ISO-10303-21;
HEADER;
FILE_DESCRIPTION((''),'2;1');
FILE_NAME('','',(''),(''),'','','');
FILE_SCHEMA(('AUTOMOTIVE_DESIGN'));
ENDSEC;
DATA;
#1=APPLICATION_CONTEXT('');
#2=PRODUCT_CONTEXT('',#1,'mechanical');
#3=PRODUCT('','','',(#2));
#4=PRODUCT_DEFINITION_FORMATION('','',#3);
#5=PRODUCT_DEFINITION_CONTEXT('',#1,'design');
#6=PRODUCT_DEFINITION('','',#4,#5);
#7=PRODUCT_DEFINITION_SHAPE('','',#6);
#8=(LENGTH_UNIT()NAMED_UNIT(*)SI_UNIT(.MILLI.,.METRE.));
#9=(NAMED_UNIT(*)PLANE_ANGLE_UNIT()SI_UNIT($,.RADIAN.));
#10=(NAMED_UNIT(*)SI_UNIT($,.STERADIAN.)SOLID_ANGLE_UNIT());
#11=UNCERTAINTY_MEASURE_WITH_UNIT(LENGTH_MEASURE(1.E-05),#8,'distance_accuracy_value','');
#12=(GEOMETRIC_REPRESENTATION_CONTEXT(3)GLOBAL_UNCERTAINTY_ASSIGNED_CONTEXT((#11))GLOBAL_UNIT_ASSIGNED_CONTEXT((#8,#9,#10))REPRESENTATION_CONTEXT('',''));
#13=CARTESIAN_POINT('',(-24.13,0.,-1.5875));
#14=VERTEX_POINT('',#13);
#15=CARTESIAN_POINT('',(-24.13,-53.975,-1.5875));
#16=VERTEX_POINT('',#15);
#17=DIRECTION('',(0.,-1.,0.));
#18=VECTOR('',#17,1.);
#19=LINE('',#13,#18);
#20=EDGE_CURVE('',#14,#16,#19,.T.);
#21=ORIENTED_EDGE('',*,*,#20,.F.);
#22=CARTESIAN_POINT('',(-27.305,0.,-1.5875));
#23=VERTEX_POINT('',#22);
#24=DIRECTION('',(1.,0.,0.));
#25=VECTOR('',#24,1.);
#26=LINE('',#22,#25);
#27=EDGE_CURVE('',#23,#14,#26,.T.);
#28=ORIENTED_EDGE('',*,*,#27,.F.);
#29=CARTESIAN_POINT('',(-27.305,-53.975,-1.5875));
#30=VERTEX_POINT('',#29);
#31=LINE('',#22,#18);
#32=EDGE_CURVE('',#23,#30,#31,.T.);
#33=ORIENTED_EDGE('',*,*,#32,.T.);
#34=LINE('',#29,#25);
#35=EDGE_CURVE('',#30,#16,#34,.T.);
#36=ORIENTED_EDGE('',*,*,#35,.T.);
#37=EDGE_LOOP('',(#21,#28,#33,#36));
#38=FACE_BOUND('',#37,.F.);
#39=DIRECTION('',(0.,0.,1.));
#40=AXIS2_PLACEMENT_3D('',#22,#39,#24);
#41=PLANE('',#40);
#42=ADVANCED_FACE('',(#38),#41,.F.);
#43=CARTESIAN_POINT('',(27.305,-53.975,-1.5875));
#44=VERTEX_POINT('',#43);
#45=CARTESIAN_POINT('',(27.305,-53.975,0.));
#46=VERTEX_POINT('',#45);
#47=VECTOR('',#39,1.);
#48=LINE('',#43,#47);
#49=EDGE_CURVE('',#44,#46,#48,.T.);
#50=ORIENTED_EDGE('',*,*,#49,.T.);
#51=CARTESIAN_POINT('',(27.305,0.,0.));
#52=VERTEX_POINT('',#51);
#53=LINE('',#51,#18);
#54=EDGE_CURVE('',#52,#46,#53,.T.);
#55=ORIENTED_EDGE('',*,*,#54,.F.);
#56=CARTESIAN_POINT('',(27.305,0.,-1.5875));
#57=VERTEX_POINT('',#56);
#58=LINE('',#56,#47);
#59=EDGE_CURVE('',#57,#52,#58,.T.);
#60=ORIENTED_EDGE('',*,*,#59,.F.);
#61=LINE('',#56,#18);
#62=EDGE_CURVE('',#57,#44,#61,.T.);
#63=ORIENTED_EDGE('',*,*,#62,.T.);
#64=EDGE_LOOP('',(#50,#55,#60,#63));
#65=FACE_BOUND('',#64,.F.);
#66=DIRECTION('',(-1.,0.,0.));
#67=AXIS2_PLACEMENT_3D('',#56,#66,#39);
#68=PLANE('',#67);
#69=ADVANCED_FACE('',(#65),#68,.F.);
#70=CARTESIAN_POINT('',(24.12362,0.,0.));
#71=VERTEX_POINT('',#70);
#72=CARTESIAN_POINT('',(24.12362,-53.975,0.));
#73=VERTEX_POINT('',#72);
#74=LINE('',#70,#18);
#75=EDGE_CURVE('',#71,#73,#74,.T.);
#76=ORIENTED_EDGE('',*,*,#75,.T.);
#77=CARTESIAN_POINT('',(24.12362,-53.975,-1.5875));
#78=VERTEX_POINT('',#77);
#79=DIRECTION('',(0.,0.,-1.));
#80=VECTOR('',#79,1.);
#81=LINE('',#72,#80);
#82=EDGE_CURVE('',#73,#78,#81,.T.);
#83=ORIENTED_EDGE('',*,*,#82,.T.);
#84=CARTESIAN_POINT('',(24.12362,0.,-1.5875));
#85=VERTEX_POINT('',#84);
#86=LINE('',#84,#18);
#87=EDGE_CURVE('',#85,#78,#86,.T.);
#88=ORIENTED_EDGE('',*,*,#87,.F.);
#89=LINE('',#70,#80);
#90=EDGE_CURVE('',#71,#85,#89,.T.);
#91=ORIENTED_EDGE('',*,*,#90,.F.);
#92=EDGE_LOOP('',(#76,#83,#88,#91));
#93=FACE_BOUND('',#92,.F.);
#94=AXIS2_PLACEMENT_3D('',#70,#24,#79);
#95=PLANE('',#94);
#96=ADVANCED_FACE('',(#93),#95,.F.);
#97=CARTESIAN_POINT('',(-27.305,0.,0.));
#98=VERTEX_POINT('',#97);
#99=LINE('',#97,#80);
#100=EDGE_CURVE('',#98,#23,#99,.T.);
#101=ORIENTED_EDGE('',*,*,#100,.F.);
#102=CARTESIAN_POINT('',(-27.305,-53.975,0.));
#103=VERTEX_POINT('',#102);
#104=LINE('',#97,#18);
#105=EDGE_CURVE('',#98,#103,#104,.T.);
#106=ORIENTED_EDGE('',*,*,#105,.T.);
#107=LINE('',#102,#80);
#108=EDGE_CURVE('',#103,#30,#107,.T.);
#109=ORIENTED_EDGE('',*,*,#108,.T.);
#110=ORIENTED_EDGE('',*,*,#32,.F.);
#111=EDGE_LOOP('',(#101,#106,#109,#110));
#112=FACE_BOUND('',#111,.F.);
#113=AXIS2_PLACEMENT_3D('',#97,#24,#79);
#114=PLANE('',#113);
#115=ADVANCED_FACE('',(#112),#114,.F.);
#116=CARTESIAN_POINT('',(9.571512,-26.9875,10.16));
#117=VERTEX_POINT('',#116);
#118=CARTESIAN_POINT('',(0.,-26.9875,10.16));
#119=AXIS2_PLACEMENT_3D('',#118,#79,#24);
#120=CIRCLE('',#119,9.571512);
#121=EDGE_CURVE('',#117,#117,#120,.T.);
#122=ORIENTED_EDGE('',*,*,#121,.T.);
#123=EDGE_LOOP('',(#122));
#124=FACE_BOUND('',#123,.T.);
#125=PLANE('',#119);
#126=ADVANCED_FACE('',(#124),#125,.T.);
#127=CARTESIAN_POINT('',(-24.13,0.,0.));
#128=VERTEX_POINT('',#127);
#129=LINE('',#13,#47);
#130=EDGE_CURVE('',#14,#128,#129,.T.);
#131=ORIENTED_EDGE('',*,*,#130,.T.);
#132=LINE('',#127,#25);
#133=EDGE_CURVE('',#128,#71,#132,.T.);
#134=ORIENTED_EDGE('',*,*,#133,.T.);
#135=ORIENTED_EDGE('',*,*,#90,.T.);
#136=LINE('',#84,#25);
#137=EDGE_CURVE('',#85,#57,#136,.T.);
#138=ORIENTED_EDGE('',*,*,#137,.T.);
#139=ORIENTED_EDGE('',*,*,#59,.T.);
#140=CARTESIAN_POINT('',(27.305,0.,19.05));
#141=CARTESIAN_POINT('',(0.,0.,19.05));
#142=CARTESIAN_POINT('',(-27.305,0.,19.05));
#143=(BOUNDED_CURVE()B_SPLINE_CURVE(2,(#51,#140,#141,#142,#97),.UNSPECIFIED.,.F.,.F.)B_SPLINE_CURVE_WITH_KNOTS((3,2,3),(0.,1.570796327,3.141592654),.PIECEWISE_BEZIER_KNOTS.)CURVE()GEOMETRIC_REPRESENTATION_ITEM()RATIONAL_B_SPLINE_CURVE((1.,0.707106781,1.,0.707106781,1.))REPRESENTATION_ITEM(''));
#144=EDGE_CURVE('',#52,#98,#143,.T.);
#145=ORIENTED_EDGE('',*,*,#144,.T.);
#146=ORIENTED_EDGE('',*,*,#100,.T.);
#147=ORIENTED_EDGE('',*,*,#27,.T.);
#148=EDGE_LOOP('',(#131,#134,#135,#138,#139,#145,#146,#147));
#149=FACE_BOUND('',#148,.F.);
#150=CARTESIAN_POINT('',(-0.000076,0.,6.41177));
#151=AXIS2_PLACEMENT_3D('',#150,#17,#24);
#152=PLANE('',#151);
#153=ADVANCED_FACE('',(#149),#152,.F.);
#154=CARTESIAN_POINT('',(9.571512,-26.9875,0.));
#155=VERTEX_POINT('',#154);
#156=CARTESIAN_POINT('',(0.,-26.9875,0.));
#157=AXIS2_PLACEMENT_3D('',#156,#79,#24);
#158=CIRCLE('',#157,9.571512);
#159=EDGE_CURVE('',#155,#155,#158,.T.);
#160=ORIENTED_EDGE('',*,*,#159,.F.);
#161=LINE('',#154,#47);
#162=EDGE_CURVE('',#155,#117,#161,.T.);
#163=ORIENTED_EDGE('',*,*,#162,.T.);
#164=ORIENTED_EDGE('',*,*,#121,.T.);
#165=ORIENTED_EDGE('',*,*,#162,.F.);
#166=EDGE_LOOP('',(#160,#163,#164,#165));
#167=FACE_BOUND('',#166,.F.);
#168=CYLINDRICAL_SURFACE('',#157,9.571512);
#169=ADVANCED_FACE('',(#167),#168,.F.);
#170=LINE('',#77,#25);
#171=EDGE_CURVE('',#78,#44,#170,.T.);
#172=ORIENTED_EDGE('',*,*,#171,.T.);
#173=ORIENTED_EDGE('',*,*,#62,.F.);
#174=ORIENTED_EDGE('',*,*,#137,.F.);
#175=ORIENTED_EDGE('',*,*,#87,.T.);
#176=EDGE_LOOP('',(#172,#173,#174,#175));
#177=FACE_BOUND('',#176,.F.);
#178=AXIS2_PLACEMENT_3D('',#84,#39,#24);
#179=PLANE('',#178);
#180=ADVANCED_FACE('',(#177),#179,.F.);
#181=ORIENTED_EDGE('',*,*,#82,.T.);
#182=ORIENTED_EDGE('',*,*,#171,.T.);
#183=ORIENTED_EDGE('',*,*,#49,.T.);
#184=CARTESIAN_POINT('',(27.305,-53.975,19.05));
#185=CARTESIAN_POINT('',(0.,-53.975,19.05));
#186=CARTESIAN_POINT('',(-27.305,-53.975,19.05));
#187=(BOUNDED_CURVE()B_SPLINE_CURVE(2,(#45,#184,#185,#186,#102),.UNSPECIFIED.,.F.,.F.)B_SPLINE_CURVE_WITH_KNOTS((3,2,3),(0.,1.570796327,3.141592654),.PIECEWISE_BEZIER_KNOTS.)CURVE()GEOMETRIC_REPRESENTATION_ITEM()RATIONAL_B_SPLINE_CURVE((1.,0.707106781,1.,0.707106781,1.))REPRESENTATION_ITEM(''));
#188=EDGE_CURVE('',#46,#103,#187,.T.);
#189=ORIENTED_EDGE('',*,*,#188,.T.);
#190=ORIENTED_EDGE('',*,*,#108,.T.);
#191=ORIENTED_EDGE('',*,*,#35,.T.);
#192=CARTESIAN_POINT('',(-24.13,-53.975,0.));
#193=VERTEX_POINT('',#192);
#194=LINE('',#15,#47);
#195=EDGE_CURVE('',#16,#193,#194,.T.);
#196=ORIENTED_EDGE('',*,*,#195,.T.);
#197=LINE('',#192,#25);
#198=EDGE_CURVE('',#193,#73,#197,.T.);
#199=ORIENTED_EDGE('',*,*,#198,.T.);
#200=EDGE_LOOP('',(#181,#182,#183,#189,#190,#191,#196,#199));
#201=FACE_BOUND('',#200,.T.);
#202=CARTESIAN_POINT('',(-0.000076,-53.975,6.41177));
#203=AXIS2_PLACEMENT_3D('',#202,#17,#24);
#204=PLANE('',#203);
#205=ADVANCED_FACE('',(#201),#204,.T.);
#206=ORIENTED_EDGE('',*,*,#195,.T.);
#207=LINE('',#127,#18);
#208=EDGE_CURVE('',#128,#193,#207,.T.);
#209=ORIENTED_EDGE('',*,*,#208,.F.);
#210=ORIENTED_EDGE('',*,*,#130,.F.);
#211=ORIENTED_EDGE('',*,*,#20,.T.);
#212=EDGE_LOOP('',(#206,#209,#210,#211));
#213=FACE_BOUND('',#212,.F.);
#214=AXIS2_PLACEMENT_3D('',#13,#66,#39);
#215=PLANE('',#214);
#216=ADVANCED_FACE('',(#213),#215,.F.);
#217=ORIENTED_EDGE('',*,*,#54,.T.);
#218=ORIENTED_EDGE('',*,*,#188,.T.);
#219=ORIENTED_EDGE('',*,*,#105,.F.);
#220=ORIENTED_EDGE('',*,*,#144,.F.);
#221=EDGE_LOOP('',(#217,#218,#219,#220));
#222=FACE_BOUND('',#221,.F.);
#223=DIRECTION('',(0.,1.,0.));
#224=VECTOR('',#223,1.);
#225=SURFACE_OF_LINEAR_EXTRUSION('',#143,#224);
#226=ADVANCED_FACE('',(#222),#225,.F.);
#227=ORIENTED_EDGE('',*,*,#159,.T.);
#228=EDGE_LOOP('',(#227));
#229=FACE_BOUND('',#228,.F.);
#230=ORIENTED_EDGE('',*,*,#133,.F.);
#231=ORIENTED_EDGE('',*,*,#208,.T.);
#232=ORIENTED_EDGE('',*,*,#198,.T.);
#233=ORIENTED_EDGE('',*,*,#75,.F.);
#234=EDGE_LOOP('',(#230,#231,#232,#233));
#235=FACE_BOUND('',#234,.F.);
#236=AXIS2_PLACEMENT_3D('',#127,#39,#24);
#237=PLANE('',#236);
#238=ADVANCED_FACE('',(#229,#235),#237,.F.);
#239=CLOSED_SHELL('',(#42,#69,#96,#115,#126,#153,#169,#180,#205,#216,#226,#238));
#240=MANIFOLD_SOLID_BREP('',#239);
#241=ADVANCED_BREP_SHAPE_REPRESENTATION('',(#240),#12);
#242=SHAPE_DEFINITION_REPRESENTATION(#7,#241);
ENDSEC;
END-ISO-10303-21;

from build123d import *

# Parameters (mm, degrees)
F1_DEPTH = 53.975
F2_R     = 9.5715122456
F3_DEPTH = 10.16


with BuildPart() as f1:
    # F0 (on Front) → F1 (new body)
    with BuildSketch(Plane.XZ):
        with BuildLine():
            Line((27.305, -1.5875), (27.305, 0))
            add(Edge.make_bspline(
                [(27.305, 0), (27.305, 19.05), (0, 19.05), (-27.305, 19.05), (-27.305, 0)],
                knots=[0, 0, 0, 1.5707963268, 1.5707963268, 3.1415926536, 3.1415926536, 3.1415926536], degree=2, weights=[1, 0.7071067812, 1, 0.7071067812, 1]))
            Line((-27.305, 0), (-27.305, -1.5875))
            Line((-27.305, -1.5875), (-24.13, -1.5875))
            Line((-24.13, -1.5875), (-24.13, 0))
            Line((-24.13, 0), (24.1236202419, 0))
            Line((24.1236202419, 0), (24.1236202419, -1.5875))
            Line((24.1236202419, -1.5875), (27.305, -1.5875))
        make_face()
    extrude(amount=F1_DEPTH)

    # F2 (on face) → F3 (cut)
    with BuildSketch(Plane(origin=(0, 0, 0), x_dir=(1, 0, 0), z_dir=(0, 0, -1))):
        with Locations((0, 26.9875)):
            Circle(F2_R)
    extrude(amount=-F3_DEPTH, mode=Mode.SUBTRACT)


solid = f1.part
